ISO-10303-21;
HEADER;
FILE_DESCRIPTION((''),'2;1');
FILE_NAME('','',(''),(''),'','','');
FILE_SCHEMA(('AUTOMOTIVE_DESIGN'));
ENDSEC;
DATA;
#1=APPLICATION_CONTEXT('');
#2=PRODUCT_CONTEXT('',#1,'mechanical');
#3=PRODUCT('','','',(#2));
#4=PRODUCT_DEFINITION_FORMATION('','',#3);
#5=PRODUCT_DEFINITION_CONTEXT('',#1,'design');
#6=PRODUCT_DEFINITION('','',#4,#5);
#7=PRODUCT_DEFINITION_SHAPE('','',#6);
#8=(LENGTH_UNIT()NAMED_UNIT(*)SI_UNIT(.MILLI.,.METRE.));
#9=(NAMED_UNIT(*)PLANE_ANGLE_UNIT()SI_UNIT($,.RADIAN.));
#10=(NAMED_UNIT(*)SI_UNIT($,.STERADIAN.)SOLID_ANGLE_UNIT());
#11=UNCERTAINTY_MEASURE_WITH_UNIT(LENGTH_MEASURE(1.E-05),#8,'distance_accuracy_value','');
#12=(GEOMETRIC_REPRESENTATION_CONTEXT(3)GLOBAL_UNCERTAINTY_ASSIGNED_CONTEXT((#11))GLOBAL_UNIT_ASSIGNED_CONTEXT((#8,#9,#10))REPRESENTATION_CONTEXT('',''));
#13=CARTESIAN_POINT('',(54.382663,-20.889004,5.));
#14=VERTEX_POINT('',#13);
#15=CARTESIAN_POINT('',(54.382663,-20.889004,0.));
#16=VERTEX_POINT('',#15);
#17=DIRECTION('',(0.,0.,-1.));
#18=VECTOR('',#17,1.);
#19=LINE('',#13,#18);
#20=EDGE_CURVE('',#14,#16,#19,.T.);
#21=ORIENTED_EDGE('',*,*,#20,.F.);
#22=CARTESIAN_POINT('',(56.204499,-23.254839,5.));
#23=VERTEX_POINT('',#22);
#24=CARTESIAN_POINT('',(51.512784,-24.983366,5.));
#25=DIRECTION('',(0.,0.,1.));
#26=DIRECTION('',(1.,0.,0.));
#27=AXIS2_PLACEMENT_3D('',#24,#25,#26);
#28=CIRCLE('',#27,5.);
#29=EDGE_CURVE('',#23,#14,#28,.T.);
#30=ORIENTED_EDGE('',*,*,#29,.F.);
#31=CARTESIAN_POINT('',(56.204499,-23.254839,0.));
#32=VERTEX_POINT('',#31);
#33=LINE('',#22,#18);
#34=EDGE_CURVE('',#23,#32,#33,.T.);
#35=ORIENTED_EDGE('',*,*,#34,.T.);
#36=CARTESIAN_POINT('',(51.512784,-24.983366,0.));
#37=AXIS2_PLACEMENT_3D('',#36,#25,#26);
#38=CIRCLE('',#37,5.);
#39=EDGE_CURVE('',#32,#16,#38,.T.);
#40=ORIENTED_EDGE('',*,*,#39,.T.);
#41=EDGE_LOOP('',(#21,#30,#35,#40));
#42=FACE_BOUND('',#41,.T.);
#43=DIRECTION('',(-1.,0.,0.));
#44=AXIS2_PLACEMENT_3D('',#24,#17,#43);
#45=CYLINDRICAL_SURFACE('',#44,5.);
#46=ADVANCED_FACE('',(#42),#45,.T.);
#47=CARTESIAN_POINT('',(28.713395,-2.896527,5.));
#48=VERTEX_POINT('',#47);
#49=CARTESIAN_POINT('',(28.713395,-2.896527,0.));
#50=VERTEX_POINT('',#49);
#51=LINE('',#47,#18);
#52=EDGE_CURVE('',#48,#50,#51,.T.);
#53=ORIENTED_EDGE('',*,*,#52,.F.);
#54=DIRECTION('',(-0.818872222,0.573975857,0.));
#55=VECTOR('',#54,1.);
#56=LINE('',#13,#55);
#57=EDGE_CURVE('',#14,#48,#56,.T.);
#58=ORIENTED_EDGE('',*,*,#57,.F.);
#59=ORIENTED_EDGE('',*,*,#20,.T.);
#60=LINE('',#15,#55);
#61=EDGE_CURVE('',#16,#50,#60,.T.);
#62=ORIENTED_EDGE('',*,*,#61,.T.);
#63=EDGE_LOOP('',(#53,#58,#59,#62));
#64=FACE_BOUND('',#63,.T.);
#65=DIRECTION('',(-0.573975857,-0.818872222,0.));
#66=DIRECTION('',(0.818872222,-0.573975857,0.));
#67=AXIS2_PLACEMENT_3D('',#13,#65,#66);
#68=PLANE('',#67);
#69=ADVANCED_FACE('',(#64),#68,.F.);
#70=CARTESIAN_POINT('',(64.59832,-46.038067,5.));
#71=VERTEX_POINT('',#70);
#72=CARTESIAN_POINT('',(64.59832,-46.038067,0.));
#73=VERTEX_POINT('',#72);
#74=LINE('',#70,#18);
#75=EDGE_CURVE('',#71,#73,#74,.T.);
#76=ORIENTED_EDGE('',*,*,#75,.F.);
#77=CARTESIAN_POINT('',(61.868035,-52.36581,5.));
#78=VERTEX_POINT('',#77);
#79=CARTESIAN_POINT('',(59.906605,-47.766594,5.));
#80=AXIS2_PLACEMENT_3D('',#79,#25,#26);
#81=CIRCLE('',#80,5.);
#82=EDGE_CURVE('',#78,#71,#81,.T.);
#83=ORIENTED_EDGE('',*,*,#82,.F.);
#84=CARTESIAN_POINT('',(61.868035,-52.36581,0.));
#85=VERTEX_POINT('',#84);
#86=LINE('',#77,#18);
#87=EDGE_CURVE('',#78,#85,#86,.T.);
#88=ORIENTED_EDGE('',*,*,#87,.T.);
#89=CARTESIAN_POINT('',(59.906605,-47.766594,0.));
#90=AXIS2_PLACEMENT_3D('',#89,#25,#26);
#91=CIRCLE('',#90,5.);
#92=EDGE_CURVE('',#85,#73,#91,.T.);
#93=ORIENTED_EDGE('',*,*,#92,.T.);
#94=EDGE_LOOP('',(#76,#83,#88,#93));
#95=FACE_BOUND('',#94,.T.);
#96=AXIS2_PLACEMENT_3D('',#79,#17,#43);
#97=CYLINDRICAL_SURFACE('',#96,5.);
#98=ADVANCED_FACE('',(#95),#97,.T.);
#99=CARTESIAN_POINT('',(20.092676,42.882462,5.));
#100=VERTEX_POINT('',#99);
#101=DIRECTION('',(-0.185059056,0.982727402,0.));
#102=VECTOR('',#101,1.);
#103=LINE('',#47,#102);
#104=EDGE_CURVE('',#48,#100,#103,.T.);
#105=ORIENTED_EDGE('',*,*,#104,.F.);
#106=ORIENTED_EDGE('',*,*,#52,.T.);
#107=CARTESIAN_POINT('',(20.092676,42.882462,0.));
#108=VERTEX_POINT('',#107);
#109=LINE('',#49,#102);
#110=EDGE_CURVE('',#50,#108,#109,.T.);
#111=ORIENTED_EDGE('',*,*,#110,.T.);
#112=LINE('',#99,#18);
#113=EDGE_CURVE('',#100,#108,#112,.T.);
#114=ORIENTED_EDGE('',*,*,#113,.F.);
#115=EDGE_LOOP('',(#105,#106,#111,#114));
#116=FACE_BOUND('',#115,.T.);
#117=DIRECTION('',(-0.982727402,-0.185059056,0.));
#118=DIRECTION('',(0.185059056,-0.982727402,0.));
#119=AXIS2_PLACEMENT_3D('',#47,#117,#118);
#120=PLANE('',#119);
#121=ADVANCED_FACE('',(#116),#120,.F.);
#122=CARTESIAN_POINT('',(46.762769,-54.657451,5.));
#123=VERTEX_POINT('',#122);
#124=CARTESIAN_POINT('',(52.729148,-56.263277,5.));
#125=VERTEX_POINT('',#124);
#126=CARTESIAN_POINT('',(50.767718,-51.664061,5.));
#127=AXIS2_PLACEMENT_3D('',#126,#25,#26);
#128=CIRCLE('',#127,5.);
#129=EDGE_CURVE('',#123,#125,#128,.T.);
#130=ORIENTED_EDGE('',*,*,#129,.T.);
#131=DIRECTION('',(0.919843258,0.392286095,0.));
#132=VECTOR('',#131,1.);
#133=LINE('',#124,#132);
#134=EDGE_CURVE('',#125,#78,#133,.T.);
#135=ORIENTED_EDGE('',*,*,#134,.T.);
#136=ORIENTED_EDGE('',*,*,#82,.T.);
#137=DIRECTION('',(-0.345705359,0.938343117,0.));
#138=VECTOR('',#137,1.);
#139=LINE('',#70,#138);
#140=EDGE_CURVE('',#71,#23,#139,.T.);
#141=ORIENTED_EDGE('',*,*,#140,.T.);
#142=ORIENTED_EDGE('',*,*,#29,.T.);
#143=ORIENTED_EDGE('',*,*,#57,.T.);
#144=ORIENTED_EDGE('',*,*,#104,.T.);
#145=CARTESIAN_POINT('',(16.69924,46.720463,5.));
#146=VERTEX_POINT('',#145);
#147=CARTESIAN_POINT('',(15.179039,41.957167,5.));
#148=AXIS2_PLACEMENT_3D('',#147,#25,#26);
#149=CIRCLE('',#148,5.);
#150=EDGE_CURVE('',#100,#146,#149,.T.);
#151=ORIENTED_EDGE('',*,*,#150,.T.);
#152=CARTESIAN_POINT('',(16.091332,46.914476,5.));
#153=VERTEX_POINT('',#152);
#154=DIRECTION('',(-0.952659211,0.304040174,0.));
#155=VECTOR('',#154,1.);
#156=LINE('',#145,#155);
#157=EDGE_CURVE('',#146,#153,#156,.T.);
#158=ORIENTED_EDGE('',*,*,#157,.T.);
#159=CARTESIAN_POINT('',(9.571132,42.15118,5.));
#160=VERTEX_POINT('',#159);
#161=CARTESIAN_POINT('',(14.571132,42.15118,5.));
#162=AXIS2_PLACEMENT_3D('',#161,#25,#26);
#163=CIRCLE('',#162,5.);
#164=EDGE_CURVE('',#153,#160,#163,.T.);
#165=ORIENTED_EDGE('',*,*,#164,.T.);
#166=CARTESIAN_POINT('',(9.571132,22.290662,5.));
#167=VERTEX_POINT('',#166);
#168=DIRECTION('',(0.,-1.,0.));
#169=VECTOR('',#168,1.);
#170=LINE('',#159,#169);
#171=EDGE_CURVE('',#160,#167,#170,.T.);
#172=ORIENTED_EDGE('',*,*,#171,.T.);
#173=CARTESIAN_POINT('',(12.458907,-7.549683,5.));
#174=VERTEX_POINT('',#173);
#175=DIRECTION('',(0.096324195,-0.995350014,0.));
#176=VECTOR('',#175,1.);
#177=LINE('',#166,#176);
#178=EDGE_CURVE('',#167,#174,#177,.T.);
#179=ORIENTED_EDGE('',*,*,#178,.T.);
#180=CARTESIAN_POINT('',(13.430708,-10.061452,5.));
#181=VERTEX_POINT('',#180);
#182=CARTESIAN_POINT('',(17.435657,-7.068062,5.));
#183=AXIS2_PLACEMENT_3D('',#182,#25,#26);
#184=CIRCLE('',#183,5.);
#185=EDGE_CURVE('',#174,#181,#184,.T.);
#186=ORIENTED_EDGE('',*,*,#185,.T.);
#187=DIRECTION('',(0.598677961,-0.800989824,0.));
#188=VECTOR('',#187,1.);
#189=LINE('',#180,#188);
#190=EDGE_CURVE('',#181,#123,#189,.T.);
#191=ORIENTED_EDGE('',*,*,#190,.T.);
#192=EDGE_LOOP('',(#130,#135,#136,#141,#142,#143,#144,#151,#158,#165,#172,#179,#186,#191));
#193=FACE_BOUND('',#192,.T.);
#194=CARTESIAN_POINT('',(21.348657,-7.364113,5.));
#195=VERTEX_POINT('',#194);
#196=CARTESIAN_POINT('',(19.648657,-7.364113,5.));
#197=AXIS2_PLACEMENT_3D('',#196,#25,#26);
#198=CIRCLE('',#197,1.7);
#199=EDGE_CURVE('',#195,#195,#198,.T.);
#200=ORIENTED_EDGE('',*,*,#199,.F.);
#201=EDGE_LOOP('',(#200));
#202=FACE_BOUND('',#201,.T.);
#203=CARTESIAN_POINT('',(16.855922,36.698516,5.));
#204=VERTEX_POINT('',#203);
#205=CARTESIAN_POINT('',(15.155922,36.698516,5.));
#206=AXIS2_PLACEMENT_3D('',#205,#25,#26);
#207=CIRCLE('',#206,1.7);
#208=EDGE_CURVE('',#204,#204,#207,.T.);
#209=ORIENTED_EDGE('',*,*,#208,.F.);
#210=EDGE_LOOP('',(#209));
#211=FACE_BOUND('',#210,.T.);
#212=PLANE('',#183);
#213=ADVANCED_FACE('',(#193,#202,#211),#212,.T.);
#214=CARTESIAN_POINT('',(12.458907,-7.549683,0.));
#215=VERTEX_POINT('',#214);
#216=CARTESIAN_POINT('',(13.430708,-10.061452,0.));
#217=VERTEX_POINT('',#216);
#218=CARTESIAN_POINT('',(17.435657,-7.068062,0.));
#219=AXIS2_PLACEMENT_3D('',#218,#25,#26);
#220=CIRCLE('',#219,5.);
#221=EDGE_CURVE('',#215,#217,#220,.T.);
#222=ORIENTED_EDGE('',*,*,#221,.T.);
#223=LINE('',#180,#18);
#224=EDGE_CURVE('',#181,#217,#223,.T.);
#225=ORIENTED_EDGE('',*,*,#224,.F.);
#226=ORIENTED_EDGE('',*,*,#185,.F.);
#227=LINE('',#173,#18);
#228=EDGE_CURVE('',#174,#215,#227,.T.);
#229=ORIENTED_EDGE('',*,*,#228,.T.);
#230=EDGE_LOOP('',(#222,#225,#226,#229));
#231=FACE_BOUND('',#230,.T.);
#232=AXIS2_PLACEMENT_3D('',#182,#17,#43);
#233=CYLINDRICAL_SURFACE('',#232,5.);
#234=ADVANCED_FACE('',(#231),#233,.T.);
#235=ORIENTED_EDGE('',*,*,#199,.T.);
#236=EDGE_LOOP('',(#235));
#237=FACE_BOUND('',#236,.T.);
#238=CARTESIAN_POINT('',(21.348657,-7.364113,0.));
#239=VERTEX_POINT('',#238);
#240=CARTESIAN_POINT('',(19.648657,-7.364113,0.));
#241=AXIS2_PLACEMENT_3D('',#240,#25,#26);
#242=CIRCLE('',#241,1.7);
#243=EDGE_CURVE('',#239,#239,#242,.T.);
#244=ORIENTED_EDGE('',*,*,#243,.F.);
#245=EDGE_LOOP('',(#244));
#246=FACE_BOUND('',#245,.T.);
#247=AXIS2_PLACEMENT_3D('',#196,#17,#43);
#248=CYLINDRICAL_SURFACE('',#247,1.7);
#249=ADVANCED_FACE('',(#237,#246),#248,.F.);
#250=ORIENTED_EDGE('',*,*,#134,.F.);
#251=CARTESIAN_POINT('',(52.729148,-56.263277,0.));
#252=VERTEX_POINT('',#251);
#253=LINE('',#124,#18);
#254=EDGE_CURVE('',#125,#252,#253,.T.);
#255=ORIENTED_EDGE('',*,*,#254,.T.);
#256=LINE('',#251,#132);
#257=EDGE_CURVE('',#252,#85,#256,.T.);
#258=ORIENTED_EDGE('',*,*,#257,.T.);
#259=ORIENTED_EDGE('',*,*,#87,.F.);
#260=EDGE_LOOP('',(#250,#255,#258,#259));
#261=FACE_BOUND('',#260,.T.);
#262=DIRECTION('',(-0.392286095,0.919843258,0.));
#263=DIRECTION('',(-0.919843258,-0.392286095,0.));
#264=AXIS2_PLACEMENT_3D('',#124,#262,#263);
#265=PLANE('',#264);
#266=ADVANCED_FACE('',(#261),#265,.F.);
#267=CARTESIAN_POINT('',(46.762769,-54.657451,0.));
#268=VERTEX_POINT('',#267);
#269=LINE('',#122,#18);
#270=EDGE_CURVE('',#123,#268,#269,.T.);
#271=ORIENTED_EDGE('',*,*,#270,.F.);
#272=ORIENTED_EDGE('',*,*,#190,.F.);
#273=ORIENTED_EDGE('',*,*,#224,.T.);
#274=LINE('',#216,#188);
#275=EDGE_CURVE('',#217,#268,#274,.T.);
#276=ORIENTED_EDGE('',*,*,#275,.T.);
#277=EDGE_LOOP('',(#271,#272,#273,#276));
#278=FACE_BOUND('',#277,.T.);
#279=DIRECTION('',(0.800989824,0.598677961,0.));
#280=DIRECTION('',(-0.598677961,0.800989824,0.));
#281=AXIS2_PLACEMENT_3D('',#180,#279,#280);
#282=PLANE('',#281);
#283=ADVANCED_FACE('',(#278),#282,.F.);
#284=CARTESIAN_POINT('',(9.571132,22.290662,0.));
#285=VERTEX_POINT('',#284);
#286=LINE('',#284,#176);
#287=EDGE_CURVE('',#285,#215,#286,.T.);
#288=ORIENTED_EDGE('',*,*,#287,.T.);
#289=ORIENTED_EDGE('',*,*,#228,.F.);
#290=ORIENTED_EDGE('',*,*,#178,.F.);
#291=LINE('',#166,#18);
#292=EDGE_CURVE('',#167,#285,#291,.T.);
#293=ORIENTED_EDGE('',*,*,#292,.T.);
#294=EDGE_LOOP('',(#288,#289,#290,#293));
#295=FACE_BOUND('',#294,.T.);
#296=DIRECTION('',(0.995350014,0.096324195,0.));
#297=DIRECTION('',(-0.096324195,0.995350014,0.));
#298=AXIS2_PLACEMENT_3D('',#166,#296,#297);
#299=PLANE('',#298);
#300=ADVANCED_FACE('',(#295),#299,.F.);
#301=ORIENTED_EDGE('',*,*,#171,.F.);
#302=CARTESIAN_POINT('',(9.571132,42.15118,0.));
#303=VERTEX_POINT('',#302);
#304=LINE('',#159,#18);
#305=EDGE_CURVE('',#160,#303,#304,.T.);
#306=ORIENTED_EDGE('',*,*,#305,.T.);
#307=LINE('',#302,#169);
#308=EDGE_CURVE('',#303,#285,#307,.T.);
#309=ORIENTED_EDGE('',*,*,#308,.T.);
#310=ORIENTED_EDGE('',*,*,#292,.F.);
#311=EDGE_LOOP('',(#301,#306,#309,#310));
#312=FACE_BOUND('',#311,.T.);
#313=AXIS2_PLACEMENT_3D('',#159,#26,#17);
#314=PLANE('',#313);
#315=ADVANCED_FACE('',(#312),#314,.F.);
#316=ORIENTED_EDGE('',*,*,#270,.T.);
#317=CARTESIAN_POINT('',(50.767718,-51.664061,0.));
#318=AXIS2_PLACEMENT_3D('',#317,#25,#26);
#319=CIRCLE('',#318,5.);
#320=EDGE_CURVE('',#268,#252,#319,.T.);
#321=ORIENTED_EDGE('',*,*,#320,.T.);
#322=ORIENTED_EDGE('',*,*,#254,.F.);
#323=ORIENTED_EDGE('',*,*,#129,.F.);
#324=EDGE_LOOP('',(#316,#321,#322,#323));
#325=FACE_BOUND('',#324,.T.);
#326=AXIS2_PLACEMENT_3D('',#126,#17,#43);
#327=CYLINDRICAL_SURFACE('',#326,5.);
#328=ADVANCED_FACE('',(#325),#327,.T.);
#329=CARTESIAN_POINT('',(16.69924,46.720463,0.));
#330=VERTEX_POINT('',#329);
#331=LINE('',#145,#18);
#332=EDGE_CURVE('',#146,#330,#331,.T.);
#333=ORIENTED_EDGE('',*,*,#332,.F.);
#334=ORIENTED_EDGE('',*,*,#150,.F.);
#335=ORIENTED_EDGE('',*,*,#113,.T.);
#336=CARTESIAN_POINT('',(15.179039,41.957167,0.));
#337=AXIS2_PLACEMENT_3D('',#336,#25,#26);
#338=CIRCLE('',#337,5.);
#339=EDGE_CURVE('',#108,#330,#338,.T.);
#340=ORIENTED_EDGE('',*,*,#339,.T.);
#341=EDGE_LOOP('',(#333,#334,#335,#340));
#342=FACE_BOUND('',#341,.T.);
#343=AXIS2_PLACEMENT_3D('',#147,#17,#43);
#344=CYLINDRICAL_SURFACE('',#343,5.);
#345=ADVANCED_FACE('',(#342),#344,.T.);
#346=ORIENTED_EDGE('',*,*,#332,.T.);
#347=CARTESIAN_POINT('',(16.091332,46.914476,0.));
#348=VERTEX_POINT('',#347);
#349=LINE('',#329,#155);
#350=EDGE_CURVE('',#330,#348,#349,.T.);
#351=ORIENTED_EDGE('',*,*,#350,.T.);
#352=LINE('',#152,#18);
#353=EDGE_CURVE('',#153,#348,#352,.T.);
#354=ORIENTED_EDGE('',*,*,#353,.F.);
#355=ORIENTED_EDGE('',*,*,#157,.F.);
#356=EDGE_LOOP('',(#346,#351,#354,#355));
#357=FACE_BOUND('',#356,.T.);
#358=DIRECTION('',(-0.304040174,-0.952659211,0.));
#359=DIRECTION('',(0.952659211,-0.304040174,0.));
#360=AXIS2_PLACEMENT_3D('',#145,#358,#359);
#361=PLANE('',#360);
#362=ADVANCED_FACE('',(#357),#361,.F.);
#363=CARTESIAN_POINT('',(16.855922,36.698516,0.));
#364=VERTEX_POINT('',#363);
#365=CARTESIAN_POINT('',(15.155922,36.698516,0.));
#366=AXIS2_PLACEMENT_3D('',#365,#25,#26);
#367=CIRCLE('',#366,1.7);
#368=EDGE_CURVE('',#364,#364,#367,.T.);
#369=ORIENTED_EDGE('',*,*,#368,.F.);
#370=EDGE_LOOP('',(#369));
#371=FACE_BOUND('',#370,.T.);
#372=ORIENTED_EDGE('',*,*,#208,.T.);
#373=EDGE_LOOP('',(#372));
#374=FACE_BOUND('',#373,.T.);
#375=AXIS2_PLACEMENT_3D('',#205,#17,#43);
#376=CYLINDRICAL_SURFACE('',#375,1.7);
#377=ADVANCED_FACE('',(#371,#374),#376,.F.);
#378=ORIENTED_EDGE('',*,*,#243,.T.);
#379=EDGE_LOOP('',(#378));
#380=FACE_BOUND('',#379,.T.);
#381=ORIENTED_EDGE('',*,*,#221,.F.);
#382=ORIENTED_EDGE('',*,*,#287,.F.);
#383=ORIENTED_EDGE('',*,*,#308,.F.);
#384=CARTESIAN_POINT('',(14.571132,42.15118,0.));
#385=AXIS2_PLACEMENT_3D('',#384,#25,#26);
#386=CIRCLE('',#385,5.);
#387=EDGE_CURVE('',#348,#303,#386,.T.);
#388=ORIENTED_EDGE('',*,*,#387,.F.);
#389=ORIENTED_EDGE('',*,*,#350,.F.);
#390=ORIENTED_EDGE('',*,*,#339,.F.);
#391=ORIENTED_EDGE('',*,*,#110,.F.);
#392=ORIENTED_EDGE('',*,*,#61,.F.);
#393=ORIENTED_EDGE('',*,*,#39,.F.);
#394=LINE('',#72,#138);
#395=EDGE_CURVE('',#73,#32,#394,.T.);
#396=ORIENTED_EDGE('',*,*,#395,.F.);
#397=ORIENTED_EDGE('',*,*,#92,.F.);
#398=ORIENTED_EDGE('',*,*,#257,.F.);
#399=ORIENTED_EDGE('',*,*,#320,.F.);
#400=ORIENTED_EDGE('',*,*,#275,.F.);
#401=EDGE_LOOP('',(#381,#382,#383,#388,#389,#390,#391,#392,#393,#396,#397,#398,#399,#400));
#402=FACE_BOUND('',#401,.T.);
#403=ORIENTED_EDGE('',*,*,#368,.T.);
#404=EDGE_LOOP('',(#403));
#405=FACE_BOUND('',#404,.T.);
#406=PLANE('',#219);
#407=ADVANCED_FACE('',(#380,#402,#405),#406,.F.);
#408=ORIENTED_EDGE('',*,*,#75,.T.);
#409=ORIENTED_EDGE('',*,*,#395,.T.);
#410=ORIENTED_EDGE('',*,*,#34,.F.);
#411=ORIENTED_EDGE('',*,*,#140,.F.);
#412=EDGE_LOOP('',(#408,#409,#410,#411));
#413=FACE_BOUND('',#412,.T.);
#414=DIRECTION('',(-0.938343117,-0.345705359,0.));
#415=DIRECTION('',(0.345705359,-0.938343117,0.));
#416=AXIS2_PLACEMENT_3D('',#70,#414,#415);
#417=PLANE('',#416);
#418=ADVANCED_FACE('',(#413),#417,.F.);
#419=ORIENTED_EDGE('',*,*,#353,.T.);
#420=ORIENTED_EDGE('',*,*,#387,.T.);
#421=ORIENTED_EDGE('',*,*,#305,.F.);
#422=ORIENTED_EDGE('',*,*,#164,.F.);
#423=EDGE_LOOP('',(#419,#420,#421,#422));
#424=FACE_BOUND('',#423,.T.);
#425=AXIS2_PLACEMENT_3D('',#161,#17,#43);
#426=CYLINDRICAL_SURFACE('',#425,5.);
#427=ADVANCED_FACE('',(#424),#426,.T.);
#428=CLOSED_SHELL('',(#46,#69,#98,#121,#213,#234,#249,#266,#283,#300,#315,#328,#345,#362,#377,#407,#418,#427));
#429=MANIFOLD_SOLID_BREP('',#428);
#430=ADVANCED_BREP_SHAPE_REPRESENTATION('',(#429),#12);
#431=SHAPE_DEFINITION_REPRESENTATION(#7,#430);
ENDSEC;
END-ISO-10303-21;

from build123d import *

# Parameters (mm, degrees)
SKETCH1_R           = 1.7
BOSS_EXTRUDE1_DEPTH = 5


with BuildPart() as part:
    # Sketch1 → Boss-Extrude1 (new body)
    with BuildSketch(Plane.XY):
        with BuildLine():
            Line((9.571131615, 22.290661788), (12.45890696, -7.549683437))
            ThreePointArc((12.45890696, -7.549683437), (12.772506188, -8.872231039), (13.430707906, -10.06145227))
            Line((13.430707906, -10.06145227), (46.762768529, -54.65745062))
            ThreePointArc((46.762768529, -54.65745062), (49.46823245, -56.492242481), (52.729148127, -56.263277104))
            Line((52.729148127, -56.263277104), (61.868035374, -52.365810483))
            ThreePointArc((61.868035374, -52.365810483), (64.497484035, -49.747459847), (64.598320481, -46.038067399))
            Line((64.598320481, -46.038067399), (56.204499393, -23.254838732))
            ThreePointArc((56.204499393, -23.254838732), (55.474314099, -21.932746284), (54.382663092, -20.889004416))
            Line((54.382663092, -20.889004416), (28.713394846, -2.896526673))
            Line((28.713394846, -2.896526673), (20.09267624, 42.882461783))
            ThreePointArc((20.09267624, 42.882461783), (18.924854223, 45.269094952), (16.699240102, 46.720462558))
            Line((16.699240102, 46.720462558), (16.091332484, 46.914475628))
            ThreePointArc((16.091332484, 46.914475628), (11.621640502, 46.18856761), (9.571131615, 42.151179571))
            Line((9.571131615, 42.151179571), (9.571131615, 22.290661788))
        make_face()
        with Locations((15.155921835, 36.698515682)):
            Circle(SKETCH1_R, mode=Mode.SUBTRACT)
        with Locations((19.648657186, -7.364112555)):
            Circle(SKETCH1_R, mode=Mode.SUBTRACT)
    extrude(amount=BOSS_EXTRUDE1_DEPTH)


solid = part.part
